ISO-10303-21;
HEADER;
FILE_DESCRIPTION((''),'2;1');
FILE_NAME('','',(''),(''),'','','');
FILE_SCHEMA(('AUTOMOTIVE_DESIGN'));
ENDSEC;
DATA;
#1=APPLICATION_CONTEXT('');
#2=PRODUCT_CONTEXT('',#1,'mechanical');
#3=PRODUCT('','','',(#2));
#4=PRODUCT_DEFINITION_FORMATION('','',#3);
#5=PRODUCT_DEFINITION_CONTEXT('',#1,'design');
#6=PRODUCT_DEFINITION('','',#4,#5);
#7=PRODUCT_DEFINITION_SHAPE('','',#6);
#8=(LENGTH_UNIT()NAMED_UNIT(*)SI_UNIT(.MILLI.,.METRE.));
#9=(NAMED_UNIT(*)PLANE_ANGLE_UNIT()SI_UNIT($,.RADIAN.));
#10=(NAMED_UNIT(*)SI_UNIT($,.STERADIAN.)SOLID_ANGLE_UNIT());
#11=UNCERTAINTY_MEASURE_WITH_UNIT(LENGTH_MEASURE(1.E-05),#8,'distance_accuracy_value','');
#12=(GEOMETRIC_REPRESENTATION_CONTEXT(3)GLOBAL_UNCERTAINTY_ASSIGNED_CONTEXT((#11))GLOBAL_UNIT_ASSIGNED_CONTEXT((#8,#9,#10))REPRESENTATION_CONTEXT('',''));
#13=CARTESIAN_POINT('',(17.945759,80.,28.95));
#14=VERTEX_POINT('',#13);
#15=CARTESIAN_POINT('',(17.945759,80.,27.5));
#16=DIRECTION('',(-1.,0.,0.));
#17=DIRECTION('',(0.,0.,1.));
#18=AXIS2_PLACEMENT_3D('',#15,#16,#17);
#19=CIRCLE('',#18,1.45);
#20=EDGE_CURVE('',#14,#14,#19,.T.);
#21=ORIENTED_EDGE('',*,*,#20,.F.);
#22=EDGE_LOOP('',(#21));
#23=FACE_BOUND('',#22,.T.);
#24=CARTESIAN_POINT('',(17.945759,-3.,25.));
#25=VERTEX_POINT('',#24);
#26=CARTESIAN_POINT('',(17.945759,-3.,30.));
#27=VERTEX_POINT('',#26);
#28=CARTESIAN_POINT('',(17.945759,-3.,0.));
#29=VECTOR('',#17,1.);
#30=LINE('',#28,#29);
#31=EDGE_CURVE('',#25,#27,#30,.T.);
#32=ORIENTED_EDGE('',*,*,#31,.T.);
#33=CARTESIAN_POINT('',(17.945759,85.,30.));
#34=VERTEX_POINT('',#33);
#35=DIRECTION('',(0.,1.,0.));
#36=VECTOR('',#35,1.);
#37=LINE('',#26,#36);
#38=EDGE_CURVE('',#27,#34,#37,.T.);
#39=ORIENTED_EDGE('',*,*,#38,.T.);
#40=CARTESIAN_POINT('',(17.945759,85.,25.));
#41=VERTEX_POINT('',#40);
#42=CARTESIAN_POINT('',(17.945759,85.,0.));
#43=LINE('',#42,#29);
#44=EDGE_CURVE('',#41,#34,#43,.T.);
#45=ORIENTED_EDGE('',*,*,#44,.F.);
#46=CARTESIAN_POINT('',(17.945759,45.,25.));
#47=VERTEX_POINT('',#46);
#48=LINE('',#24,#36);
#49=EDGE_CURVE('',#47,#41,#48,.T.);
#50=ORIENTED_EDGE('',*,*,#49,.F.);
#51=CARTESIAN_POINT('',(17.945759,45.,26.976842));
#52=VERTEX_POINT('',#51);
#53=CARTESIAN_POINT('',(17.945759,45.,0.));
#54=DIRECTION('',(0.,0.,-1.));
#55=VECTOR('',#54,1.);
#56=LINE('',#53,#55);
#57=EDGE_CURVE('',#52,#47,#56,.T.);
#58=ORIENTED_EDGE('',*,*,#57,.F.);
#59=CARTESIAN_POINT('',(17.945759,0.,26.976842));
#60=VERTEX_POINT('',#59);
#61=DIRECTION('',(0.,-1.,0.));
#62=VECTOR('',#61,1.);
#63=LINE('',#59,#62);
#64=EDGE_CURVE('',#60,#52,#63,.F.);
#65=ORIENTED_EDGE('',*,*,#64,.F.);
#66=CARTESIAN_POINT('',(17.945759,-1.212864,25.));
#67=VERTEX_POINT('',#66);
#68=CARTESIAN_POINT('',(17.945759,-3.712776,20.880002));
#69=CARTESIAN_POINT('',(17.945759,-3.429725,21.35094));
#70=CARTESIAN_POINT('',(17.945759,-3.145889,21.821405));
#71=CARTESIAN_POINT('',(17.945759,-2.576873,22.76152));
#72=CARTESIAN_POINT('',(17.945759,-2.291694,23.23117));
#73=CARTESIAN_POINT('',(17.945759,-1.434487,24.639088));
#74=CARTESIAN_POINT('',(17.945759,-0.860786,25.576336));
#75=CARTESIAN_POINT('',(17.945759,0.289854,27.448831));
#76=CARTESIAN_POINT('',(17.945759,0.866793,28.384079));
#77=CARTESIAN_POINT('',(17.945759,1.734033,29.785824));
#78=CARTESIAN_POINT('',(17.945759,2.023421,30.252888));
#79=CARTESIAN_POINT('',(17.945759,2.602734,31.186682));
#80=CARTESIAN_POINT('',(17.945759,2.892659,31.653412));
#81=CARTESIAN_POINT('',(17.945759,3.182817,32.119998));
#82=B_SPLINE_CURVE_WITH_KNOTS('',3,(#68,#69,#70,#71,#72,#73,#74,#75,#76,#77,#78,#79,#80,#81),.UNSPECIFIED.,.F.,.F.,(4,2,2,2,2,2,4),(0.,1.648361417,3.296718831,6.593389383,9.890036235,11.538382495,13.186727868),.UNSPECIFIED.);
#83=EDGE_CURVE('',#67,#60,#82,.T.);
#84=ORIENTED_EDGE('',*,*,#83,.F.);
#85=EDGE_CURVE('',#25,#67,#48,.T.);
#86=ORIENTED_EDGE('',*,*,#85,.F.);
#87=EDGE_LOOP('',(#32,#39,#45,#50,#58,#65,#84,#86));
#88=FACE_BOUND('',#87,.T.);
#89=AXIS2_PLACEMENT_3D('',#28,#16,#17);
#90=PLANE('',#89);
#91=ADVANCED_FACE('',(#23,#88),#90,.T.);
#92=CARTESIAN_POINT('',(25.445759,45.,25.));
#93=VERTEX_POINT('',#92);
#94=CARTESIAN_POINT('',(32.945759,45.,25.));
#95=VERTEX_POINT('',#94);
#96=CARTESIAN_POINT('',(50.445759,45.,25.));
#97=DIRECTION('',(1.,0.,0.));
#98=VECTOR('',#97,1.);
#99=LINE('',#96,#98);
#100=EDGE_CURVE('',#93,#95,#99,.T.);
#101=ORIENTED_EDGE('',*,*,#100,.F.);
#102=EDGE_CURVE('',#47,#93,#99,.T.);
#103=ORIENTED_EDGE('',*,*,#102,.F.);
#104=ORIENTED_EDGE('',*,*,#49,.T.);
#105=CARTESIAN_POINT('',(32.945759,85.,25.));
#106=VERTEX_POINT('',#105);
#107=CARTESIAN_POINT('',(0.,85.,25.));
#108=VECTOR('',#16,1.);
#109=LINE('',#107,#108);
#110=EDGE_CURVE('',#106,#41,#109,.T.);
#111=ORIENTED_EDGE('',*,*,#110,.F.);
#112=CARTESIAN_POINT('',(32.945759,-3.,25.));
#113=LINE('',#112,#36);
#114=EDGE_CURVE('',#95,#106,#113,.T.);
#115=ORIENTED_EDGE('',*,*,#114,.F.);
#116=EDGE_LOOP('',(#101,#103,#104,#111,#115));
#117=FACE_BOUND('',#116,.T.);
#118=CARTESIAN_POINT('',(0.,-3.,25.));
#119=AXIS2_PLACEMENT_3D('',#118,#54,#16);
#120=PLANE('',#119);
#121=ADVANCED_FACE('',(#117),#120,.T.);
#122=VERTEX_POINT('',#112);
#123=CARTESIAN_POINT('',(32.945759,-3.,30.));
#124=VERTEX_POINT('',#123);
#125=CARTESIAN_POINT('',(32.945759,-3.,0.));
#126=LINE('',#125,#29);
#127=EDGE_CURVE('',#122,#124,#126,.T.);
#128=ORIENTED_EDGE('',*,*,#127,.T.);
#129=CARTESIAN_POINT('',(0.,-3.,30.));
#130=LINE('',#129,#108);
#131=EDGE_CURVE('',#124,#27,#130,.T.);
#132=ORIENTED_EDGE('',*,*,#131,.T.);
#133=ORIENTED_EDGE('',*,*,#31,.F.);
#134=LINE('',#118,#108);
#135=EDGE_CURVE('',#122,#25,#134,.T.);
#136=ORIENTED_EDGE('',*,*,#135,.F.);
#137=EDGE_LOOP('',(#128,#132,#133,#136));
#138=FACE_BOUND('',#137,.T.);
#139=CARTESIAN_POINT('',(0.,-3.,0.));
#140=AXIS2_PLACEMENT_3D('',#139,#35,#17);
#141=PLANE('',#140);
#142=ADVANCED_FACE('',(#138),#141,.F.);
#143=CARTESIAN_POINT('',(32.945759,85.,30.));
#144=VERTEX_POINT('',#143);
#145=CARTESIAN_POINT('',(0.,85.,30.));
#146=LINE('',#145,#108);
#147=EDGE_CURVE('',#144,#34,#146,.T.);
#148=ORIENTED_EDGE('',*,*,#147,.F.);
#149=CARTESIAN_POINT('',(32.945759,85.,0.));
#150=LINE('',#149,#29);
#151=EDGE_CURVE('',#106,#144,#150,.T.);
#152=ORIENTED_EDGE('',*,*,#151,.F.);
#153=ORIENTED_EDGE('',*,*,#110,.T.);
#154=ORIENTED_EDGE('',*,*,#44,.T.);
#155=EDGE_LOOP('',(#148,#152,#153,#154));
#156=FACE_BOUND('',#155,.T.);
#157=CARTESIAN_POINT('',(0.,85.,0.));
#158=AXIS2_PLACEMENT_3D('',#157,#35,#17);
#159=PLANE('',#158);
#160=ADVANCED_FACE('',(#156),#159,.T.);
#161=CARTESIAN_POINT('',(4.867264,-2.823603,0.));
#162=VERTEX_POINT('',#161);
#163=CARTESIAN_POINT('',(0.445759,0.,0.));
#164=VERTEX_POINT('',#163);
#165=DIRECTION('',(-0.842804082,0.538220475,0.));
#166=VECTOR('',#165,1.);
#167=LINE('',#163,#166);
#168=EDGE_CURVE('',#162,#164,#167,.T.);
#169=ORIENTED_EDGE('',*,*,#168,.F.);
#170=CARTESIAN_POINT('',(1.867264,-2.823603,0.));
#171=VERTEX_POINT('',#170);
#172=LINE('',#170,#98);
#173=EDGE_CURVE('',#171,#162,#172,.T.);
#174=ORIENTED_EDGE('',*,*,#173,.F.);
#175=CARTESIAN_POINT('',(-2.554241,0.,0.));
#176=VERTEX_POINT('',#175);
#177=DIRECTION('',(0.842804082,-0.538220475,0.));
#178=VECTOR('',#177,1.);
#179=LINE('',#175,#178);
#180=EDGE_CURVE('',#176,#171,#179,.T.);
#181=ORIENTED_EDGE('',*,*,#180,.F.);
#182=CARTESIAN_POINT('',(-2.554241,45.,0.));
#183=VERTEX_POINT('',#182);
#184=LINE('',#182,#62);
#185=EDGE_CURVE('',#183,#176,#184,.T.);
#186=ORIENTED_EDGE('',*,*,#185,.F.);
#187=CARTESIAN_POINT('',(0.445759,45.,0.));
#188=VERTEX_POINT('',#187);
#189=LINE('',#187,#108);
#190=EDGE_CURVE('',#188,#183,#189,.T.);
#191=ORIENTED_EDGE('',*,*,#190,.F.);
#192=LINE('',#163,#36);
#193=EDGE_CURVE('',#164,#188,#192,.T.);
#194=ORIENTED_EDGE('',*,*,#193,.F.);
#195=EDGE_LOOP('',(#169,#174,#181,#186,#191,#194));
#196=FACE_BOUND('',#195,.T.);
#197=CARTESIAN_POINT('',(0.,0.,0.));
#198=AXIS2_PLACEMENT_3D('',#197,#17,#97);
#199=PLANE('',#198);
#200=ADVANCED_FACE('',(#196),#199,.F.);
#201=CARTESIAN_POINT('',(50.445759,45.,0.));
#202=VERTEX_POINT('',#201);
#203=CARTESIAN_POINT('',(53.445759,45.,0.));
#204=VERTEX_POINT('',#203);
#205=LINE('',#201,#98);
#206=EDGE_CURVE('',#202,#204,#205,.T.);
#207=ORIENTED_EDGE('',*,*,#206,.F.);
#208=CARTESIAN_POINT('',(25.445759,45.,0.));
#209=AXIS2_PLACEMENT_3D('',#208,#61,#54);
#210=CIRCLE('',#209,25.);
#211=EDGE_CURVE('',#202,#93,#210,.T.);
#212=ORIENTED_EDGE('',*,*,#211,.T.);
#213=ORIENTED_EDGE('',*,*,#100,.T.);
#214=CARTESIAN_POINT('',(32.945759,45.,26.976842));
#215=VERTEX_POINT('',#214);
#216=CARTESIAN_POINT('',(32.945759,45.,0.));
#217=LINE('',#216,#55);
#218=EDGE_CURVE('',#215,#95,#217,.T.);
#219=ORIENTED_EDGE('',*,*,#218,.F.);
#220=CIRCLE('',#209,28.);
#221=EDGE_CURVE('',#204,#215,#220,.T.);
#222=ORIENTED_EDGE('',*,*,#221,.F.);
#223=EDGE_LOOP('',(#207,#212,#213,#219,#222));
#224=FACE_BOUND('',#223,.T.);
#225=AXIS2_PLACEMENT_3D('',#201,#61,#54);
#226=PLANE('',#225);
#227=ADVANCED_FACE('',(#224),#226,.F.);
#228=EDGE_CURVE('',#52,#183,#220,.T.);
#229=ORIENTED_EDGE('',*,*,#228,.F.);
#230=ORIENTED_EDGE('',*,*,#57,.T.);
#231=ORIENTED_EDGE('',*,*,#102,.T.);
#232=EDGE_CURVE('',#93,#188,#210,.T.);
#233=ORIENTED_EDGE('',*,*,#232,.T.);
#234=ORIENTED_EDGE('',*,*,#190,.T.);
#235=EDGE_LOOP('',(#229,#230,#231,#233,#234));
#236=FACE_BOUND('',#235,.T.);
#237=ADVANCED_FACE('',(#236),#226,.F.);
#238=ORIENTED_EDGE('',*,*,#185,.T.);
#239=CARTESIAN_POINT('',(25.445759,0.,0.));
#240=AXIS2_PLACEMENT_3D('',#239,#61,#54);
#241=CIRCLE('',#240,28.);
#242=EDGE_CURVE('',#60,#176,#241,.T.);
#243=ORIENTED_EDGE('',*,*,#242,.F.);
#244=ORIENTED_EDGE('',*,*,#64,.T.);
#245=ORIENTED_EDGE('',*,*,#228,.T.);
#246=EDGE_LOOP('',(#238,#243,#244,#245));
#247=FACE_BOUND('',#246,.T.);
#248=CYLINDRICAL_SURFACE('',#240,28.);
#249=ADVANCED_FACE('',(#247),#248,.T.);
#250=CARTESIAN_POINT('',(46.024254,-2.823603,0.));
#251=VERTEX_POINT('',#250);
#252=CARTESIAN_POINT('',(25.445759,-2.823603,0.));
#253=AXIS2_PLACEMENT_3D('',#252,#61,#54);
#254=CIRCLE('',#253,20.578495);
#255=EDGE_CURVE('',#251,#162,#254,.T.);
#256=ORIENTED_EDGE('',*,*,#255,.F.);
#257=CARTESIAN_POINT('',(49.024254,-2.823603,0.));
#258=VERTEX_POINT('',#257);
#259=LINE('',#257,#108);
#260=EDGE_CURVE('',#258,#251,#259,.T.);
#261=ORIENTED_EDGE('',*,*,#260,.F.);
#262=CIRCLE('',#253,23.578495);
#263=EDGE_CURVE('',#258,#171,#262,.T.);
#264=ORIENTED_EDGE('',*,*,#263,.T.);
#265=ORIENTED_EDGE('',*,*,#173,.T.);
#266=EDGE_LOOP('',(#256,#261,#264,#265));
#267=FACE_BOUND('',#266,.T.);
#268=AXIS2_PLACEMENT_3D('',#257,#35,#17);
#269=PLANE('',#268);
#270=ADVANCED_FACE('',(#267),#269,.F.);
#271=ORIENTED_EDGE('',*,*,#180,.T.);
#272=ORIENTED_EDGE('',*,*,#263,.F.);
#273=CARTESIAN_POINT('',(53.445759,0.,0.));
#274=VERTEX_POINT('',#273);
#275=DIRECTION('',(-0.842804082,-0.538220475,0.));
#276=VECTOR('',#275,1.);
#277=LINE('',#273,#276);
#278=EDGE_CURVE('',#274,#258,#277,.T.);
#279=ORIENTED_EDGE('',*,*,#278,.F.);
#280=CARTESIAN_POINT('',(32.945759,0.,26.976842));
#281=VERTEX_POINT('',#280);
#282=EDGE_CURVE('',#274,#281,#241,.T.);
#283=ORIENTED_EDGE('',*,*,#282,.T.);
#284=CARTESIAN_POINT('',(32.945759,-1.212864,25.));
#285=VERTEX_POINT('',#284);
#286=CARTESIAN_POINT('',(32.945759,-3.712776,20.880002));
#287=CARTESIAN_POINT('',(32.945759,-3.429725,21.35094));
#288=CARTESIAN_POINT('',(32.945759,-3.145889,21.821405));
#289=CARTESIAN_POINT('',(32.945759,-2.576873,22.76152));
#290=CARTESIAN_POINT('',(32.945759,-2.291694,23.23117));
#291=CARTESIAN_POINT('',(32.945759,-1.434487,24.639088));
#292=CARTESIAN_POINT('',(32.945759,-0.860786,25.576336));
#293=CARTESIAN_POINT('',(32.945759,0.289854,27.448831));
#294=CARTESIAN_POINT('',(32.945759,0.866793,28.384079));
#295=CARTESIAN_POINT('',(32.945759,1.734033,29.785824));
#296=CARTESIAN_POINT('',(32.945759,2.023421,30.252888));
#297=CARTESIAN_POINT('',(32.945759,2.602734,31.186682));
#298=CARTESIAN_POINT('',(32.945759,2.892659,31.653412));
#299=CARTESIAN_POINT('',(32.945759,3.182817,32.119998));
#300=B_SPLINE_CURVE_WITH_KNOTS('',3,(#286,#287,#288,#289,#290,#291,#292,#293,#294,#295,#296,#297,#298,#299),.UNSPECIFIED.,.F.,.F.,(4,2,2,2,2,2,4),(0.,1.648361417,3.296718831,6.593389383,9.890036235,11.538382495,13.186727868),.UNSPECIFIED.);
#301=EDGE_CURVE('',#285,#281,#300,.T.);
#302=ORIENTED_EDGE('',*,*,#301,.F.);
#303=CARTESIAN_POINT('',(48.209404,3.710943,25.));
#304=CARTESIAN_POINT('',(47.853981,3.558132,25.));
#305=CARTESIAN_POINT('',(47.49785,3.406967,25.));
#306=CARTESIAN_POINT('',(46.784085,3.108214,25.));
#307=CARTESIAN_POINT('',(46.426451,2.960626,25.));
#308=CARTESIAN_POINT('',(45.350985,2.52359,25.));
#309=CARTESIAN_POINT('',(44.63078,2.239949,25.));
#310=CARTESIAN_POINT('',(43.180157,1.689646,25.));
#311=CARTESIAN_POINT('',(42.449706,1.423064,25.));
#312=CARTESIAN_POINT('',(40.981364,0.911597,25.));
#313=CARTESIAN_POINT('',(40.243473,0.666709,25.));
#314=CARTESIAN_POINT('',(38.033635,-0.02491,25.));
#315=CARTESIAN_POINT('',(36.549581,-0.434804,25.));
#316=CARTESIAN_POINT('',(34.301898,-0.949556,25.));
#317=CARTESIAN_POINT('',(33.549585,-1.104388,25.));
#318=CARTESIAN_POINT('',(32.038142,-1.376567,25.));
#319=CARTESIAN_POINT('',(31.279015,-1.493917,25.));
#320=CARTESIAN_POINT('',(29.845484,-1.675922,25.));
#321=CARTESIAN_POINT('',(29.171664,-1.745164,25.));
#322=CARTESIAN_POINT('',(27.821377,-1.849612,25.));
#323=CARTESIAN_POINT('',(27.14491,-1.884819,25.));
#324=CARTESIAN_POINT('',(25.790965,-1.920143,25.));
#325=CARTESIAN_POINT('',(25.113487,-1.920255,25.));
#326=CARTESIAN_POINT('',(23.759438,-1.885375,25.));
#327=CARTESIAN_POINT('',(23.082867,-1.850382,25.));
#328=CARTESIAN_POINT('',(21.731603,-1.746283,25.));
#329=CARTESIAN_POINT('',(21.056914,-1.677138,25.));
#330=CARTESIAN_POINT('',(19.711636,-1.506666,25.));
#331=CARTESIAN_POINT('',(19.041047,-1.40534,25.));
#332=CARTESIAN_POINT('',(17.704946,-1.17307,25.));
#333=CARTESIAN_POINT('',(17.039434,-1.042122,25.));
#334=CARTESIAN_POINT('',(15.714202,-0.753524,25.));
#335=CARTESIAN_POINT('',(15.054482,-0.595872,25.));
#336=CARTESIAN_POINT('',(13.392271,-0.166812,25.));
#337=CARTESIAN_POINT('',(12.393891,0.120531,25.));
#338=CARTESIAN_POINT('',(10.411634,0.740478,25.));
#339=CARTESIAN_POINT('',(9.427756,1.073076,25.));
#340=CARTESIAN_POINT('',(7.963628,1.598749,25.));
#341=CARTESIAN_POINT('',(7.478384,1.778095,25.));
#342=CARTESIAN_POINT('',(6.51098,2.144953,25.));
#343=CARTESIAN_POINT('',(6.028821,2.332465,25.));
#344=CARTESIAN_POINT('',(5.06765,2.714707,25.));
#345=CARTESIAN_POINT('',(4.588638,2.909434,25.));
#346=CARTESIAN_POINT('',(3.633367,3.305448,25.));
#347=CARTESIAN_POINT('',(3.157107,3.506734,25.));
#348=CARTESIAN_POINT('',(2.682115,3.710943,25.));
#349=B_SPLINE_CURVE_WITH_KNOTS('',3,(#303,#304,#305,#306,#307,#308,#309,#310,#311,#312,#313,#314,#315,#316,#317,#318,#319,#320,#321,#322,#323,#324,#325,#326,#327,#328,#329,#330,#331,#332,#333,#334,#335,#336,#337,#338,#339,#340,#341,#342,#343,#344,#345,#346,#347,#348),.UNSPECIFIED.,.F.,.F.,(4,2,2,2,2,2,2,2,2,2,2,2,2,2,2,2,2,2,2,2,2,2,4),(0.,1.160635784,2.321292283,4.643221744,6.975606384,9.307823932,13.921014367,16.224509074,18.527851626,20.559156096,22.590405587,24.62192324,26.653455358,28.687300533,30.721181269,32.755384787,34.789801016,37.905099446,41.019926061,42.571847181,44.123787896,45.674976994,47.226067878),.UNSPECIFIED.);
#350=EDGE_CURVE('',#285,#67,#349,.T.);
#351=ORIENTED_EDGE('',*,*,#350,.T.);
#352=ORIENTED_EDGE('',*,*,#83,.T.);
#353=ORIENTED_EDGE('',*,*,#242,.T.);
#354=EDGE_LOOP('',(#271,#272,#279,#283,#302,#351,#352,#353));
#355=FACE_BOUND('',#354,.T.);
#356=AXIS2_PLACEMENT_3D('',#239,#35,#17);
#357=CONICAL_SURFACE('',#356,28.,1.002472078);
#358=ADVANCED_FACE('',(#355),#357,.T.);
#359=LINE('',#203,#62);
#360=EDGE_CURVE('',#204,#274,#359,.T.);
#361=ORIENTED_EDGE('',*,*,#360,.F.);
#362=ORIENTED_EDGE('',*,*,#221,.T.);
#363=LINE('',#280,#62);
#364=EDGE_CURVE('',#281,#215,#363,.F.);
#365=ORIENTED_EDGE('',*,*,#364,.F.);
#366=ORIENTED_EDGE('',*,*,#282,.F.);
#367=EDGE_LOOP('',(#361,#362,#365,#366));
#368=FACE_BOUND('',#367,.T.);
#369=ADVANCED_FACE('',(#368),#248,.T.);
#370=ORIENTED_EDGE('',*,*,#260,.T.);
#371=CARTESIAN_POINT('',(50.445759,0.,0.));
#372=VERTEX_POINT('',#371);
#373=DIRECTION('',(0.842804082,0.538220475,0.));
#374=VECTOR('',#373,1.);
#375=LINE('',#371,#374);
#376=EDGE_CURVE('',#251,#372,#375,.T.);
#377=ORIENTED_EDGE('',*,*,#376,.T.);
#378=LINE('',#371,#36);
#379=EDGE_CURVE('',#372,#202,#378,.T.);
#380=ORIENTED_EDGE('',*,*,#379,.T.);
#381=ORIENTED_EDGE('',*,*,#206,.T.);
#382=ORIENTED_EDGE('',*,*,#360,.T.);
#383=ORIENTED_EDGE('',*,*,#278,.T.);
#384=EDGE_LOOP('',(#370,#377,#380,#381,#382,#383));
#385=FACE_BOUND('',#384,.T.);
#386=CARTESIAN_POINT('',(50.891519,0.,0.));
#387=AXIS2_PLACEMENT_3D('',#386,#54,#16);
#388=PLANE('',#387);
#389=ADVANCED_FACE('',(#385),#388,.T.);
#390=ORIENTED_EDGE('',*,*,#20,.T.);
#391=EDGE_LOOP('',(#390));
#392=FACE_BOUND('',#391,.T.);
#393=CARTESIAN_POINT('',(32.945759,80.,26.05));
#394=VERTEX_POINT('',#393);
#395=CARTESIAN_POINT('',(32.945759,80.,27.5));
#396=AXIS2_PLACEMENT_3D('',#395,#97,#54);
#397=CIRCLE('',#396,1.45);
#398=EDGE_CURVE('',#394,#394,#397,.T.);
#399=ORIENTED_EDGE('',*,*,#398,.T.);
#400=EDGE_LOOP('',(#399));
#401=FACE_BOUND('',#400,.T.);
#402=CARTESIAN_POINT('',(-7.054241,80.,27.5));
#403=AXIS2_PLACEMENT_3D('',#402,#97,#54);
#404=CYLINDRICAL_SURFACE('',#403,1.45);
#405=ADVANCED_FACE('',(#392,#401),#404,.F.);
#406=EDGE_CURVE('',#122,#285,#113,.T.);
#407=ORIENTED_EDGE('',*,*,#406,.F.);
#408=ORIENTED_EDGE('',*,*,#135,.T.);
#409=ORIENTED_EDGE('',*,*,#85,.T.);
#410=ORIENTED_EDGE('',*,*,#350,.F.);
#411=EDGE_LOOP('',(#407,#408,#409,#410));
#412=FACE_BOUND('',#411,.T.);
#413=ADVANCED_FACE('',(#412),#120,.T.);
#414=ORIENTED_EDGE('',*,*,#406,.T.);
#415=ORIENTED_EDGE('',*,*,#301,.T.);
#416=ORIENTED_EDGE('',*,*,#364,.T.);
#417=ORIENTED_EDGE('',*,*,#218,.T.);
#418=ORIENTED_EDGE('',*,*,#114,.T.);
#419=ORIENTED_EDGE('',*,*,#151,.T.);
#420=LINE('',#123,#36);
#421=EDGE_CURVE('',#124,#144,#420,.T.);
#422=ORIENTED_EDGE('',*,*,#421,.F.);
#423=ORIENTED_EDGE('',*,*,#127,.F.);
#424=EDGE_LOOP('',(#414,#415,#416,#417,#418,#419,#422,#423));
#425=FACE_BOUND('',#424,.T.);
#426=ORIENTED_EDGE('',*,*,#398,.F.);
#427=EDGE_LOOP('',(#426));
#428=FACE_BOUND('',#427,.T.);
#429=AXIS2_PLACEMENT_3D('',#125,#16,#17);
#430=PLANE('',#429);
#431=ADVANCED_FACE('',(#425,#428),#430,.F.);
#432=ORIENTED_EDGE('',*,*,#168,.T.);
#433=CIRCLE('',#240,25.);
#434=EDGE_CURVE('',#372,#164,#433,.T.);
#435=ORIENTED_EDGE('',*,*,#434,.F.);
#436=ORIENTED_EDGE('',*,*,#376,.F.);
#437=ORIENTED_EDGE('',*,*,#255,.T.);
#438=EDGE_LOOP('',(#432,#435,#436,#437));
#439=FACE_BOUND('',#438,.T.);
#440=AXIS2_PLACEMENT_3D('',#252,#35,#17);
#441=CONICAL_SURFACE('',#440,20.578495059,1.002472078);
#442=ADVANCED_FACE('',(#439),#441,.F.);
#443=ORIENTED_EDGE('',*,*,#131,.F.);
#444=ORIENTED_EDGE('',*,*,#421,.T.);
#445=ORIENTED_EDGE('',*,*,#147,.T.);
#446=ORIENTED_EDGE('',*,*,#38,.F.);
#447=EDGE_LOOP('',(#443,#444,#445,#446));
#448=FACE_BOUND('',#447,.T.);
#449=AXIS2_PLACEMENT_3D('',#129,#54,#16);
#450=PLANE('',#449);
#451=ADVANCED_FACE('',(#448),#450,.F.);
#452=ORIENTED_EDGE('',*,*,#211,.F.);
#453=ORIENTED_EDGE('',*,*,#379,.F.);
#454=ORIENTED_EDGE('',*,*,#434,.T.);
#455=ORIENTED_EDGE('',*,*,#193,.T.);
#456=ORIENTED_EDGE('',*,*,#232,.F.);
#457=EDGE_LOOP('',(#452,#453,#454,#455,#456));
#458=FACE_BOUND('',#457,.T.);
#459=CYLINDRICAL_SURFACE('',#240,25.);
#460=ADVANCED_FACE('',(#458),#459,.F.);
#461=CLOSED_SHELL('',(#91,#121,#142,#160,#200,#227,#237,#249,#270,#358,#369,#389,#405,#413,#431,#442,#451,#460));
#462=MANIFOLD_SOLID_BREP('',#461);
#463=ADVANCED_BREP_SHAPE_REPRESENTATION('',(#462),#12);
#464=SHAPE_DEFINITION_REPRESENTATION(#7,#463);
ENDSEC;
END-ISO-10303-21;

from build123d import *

# Parameters (mm, degrees)
REVOLVE_1_ANGLE      = 180
EXTRUDE_2_DEPTH      = 40
EXTRUDE_2_DEPTH_BACK = 48
SKETCH_3_R           = 1.45
CUT_EXTRUDE_1_DEPTH  = 40


with BuildPart() as part:
    # 草图1 → 旋转1 (revolve)
    with BuildSketch(Plane.XY):
        Polygon((0.445759369, 0), (4.86726431, -2.823603424), (1.86726431, -2.823603424), (-2.554240631, 0), (-2.554240631, 45), (0.445759369, 45), align=None)
    revolve(axis=Axis((25.445759369, 0, 0), (0, 1, 0)), revolution_arc=REVOLVE_1_ANGLE)

    # 草图2 → 凸台-拉伸2 (add, two sides: drawn at the far end of the back side and taken through both)
    with BuildSketch(Plane(origin=(0, 45, 0), x_dir=(1, 0, 0), z_dir=(0, 1, 0)).offset(-EXTRUDE_2_DEPTH_BACK)):
        with BuildLine():
            Line((32.945759369, -30), (32.945759369, -26.97684192))
            ThreePointArc((32.945759369, -26.97684192), (25.445759369, -28), (17.945759369, -26.97684192))
            Line((17.945759369, -26.97684192), (17.945759369, -30))
            Line((17.945759369, -30), (32.945759369, -30))
        make_face()
        with BuildLine():
            Line((32.945759369, -25), (25.445759369, -25))
            Line((25.445759369, -25), (17.945759369, -25))
            Line((17.945759369, -25), (17.945759369, -26.97684192))
            ThreePointArc((17.945759369, -26.97684192), (25.445759369, -28), (32.945759369, -26.97684192))
            Line((32.945759369, -26.97684192), (32.945759369, -25))
        make_face()
    extrude(amount=EXTRUDE_2_DEPTH + EXTRUDE_2_DEPTH_BACK)

    # 草图3 → 切除-拉伸1 (cut)
    with BuildSketch(Plane(origin=(32.945759369, 0, 0), x_dir=(0, 0, -1), z_dir=(1, 0, 0))):
        with Locations((-27.5, 80)):
            Circle(SKETCH_3_R)
    extrude(amount=-CUT_EXTRUDE_1_DEPTH, mode=Mode.SUBTRACT)


solid = part.part
